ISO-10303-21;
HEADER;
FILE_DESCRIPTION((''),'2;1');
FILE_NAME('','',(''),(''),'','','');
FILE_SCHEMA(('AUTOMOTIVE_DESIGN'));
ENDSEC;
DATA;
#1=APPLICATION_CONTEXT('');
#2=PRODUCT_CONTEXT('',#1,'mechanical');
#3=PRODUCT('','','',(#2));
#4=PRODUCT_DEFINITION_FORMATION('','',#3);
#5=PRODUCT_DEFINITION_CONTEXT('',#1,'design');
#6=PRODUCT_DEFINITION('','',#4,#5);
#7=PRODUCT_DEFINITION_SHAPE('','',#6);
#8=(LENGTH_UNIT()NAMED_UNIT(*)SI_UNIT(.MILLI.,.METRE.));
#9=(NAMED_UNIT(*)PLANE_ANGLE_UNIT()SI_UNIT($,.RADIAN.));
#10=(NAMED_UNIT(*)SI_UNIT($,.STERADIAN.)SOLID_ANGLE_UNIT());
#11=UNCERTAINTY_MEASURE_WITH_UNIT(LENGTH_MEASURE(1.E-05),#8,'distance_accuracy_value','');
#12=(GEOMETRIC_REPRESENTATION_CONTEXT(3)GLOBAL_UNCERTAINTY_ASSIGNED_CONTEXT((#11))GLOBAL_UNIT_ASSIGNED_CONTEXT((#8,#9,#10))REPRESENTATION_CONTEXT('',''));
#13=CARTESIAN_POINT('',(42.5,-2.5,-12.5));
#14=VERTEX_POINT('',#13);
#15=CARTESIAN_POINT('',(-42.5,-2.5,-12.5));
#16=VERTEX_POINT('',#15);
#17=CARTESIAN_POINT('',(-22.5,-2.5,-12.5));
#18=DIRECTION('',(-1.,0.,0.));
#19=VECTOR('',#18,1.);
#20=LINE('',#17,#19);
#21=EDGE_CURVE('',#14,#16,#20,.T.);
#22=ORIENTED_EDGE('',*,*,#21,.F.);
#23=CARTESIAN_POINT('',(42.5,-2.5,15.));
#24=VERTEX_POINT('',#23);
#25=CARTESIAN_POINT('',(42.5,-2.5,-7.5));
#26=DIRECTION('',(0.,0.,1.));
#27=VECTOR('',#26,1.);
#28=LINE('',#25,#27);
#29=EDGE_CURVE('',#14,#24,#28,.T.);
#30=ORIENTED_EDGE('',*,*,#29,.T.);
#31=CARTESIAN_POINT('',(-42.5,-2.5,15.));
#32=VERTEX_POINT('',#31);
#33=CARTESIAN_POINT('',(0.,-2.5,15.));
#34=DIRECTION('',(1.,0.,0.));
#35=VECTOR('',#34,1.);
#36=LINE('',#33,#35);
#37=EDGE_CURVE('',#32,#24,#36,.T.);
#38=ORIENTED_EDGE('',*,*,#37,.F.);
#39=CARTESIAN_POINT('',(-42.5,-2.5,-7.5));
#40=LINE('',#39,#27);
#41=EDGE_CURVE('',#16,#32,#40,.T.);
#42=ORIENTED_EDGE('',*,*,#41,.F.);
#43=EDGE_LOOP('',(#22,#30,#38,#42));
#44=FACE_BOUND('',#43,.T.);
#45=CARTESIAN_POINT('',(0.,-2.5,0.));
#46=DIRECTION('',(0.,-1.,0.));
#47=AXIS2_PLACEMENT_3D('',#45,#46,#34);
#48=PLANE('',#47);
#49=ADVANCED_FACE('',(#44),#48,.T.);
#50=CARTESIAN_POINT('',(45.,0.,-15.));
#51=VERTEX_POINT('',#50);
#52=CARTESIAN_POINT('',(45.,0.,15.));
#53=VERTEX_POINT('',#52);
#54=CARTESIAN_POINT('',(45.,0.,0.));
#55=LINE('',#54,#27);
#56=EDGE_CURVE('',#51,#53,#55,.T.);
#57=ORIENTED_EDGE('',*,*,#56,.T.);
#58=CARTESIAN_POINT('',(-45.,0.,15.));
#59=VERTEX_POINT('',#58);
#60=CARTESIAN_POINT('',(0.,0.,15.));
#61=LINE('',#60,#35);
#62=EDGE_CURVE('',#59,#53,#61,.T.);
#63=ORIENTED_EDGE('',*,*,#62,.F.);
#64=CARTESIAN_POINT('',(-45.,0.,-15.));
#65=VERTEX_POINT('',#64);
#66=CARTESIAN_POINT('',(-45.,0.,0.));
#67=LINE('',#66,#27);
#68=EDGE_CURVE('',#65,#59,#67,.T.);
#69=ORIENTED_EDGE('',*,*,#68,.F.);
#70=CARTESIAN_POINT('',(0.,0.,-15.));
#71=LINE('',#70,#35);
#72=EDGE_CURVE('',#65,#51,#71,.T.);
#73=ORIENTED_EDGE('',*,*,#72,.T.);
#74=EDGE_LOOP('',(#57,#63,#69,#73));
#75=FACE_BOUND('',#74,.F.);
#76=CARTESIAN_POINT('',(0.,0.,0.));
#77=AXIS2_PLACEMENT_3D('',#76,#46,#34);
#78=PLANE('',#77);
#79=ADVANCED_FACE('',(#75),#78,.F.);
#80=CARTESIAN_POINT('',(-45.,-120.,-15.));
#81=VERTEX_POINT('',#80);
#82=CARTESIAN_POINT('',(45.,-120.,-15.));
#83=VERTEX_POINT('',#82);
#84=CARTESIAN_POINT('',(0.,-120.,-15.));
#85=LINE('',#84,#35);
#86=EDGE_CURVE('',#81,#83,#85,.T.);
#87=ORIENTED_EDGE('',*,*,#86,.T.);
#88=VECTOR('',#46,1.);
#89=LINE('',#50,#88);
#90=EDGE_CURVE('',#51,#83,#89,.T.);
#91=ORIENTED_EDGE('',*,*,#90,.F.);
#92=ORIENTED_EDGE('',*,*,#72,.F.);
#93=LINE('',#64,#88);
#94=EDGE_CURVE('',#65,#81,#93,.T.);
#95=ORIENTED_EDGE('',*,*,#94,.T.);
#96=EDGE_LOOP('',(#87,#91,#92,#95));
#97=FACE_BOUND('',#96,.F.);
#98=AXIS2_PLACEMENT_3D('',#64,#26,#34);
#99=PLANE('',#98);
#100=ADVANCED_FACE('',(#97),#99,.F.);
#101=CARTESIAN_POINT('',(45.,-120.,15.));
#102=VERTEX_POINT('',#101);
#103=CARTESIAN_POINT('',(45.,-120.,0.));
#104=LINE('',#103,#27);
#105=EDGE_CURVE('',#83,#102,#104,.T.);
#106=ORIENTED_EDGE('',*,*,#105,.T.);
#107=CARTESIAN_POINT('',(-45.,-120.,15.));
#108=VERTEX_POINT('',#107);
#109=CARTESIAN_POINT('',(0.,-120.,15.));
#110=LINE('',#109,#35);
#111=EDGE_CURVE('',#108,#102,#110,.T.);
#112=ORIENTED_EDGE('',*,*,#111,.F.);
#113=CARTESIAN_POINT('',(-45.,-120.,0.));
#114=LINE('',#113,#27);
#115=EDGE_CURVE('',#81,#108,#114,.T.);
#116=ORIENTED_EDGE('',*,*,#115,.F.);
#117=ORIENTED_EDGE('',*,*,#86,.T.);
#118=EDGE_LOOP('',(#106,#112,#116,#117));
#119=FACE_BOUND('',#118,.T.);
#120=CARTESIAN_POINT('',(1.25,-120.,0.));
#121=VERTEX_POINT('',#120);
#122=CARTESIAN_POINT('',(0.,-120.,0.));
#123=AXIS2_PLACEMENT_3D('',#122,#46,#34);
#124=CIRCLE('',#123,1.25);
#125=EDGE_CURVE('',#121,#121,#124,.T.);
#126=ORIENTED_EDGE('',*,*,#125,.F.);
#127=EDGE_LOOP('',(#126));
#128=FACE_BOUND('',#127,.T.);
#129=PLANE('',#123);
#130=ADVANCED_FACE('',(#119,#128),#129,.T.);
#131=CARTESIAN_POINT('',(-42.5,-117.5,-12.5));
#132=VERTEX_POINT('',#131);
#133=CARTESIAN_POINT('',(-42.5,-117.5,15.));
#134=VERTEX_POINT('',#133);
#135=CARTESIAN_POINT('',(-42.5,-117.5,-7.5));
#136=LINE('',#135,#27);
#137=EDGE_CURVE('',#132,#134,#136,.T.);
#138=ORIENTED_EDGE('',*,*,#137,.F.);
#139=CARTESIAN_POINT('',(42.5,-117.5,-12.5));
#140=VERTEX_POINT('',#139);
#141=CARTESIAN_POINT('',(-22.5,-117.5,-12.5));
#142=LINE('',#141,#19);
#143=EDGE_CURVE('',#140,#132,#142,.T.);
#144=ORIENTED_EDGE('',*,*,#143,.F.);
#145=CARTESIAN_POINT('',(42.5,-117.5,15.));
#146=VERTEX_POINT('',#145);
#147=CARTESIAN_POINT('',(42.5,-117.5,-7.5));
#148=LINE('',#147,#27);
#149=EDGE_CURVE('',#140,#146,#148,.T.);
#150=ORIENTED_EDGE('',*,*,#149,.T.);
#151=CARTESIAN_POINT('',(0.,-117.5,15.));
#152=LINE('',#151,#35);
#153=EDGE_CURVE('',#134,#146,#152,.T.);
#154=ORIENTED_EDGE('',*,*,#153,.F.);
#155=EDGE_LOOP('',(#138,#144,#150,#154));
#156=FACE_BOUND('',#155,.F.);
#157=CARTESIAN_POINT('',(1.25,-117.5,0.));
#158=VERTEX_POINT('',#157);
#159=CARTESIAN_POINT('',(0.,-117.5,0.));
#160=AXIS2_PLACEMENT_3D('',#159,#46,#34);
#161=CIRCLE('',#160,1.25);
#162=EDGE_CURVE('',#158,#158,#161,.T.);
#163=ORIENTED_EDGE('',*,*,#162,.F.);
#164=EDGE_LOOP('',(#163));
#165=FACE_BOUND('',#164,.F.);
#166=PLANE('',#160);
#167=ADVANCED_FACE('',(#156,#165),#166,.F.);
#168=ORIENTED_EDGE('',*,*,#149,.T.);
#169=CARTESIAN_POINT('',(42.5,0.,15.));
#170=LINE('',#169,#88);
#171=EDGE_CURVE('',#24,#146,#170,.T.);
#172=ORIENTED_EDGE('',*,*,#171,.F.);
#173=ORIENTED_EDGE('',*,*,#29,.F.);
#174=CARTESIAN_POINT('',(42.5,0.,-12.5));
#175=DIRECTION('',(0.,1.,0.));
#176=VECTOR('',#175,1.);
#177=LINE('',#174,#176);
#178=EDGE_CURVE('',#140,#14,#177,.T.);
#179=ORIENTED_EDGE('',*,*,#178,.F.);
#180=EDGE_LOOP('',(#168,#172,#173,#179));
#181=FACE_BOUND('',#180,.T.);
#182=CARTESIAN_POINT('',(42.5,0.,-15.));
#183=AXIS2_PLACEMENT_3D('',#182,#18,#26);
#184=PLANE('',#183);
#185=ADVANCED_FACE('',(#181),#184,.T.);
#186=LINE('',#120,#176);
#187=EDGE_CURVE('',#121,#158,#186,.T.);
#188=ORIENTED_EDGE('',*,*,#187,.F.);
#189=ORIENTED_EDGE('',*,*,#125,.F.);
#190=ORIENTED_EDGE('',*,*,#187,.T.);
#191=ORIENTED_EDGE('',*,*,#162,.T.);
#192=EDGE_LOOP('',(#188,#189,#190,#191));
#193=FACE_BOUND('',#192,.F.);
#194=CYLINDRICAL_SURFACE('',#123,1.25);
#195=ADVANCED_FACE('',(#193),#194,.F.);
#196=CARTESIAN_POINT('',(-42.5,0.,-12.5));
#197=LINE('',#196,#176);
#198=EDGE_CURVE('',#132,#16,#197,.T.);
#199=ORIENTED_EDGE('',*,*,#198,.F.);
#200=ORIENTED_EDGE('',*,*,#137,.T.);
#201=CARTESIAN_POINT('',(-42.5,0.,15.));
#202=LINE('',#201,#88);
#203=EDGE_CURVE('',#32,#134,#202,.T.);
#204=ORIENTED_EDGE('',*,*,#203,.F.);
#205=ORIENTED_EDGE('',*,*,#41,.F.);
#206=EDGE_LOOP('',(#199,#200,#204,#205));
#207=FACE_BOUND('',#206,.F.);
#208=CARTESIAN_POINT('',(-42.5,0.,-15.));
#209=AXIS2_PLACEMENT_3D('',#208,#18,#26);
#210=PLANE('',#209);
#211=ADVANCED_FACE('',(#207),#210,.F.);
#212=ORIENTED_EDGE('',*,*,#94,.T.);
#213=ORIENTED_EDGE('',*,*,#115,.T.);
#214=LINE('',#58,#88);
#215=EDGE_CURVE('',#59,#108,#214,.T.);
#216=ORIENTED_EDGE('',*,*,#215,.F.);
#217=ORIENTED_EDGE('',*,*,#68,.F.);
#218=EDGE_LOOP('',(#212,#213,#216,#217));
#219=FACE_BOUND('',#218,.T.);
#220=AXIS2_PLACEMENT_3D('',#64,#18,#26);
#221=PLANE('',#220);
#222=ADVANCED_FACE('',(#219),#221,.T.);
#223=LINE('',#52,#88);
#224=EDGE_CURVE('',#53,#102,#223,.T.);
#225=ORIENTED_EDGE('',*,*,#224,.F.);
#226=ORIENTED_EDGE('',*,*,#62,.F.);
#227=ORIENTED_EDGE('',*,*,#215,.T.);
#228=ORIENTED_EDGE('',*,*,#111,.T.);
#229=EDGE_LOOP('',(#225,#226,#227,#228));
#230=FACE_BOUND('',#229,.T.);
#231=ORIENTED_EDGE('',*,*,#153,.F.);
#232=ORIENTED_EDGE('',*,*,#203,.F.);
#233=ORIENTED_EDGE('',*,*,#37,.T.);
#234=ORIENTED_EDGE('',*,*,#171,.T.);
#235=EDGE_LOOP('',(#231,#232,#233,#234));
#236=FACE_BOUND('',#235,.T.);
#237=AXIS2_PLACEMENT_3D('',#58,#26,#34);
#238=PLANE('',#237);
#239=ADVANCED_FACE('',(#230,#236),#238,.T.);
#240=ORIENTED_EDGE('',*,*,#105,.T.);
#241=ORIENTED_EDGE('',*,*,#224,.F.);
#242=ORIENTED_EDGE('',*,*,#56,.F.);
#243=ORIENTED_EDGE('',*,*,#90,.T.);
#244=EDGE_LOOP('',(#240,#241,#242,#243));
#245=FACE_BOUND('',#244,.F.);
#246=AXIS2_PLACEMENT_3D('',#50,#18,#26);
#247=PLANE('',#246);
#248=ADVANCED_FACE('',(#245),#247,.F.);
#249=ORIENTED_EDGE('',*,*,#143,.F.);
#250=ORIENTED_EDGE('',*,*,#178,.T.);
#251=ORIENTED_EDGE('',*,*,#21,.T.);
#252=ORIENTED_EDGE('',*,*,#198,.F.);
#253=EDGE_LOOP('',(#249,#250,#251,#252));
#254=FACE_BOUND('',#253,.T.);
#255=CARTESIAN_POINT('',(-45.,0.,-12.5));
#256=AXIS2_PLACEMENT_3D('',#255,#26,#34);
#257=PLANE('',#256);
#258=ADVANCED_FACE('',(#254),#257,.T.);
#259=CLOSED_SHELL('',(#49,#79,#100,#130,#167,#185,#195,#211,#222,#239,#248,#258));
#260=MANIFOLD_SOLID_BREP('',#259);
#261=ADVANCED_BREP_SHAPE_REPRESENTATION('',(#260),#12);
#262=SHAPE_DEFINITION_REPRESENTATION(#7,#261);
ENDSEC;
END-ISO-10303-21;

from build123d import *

# Parameters (mm, degrees)
F0_W     = 90
F0_H     = 30
F1_DEPTH = 120
F2_T     = -2.5
F3_R     = 1.25
F4_DEPTH = 25


with BuildPart() as f1:
    # F0 (on Front) → F1 (new body)
    with BuildSketch(Plane.XZ):
        Rectangle(F0_W, F0_H)
    extrude(amount=F1_DEPTH)

    # F2
    f2_openings = [f1.faces().sort_by_distance(p)[0] for p in [
        (0, -60, 15),
    ]]
    offset(amount=F2_T, openings=f2_openings)

    # F3 (on face) → F4 (cut)
    with BuildSketch(Plane.XZ.offset(120)):
        Circle(F3_R)
    extrude(amount=-F4_DEPTH, mode=Mode.SUBTRACT)


solid = f1.part
